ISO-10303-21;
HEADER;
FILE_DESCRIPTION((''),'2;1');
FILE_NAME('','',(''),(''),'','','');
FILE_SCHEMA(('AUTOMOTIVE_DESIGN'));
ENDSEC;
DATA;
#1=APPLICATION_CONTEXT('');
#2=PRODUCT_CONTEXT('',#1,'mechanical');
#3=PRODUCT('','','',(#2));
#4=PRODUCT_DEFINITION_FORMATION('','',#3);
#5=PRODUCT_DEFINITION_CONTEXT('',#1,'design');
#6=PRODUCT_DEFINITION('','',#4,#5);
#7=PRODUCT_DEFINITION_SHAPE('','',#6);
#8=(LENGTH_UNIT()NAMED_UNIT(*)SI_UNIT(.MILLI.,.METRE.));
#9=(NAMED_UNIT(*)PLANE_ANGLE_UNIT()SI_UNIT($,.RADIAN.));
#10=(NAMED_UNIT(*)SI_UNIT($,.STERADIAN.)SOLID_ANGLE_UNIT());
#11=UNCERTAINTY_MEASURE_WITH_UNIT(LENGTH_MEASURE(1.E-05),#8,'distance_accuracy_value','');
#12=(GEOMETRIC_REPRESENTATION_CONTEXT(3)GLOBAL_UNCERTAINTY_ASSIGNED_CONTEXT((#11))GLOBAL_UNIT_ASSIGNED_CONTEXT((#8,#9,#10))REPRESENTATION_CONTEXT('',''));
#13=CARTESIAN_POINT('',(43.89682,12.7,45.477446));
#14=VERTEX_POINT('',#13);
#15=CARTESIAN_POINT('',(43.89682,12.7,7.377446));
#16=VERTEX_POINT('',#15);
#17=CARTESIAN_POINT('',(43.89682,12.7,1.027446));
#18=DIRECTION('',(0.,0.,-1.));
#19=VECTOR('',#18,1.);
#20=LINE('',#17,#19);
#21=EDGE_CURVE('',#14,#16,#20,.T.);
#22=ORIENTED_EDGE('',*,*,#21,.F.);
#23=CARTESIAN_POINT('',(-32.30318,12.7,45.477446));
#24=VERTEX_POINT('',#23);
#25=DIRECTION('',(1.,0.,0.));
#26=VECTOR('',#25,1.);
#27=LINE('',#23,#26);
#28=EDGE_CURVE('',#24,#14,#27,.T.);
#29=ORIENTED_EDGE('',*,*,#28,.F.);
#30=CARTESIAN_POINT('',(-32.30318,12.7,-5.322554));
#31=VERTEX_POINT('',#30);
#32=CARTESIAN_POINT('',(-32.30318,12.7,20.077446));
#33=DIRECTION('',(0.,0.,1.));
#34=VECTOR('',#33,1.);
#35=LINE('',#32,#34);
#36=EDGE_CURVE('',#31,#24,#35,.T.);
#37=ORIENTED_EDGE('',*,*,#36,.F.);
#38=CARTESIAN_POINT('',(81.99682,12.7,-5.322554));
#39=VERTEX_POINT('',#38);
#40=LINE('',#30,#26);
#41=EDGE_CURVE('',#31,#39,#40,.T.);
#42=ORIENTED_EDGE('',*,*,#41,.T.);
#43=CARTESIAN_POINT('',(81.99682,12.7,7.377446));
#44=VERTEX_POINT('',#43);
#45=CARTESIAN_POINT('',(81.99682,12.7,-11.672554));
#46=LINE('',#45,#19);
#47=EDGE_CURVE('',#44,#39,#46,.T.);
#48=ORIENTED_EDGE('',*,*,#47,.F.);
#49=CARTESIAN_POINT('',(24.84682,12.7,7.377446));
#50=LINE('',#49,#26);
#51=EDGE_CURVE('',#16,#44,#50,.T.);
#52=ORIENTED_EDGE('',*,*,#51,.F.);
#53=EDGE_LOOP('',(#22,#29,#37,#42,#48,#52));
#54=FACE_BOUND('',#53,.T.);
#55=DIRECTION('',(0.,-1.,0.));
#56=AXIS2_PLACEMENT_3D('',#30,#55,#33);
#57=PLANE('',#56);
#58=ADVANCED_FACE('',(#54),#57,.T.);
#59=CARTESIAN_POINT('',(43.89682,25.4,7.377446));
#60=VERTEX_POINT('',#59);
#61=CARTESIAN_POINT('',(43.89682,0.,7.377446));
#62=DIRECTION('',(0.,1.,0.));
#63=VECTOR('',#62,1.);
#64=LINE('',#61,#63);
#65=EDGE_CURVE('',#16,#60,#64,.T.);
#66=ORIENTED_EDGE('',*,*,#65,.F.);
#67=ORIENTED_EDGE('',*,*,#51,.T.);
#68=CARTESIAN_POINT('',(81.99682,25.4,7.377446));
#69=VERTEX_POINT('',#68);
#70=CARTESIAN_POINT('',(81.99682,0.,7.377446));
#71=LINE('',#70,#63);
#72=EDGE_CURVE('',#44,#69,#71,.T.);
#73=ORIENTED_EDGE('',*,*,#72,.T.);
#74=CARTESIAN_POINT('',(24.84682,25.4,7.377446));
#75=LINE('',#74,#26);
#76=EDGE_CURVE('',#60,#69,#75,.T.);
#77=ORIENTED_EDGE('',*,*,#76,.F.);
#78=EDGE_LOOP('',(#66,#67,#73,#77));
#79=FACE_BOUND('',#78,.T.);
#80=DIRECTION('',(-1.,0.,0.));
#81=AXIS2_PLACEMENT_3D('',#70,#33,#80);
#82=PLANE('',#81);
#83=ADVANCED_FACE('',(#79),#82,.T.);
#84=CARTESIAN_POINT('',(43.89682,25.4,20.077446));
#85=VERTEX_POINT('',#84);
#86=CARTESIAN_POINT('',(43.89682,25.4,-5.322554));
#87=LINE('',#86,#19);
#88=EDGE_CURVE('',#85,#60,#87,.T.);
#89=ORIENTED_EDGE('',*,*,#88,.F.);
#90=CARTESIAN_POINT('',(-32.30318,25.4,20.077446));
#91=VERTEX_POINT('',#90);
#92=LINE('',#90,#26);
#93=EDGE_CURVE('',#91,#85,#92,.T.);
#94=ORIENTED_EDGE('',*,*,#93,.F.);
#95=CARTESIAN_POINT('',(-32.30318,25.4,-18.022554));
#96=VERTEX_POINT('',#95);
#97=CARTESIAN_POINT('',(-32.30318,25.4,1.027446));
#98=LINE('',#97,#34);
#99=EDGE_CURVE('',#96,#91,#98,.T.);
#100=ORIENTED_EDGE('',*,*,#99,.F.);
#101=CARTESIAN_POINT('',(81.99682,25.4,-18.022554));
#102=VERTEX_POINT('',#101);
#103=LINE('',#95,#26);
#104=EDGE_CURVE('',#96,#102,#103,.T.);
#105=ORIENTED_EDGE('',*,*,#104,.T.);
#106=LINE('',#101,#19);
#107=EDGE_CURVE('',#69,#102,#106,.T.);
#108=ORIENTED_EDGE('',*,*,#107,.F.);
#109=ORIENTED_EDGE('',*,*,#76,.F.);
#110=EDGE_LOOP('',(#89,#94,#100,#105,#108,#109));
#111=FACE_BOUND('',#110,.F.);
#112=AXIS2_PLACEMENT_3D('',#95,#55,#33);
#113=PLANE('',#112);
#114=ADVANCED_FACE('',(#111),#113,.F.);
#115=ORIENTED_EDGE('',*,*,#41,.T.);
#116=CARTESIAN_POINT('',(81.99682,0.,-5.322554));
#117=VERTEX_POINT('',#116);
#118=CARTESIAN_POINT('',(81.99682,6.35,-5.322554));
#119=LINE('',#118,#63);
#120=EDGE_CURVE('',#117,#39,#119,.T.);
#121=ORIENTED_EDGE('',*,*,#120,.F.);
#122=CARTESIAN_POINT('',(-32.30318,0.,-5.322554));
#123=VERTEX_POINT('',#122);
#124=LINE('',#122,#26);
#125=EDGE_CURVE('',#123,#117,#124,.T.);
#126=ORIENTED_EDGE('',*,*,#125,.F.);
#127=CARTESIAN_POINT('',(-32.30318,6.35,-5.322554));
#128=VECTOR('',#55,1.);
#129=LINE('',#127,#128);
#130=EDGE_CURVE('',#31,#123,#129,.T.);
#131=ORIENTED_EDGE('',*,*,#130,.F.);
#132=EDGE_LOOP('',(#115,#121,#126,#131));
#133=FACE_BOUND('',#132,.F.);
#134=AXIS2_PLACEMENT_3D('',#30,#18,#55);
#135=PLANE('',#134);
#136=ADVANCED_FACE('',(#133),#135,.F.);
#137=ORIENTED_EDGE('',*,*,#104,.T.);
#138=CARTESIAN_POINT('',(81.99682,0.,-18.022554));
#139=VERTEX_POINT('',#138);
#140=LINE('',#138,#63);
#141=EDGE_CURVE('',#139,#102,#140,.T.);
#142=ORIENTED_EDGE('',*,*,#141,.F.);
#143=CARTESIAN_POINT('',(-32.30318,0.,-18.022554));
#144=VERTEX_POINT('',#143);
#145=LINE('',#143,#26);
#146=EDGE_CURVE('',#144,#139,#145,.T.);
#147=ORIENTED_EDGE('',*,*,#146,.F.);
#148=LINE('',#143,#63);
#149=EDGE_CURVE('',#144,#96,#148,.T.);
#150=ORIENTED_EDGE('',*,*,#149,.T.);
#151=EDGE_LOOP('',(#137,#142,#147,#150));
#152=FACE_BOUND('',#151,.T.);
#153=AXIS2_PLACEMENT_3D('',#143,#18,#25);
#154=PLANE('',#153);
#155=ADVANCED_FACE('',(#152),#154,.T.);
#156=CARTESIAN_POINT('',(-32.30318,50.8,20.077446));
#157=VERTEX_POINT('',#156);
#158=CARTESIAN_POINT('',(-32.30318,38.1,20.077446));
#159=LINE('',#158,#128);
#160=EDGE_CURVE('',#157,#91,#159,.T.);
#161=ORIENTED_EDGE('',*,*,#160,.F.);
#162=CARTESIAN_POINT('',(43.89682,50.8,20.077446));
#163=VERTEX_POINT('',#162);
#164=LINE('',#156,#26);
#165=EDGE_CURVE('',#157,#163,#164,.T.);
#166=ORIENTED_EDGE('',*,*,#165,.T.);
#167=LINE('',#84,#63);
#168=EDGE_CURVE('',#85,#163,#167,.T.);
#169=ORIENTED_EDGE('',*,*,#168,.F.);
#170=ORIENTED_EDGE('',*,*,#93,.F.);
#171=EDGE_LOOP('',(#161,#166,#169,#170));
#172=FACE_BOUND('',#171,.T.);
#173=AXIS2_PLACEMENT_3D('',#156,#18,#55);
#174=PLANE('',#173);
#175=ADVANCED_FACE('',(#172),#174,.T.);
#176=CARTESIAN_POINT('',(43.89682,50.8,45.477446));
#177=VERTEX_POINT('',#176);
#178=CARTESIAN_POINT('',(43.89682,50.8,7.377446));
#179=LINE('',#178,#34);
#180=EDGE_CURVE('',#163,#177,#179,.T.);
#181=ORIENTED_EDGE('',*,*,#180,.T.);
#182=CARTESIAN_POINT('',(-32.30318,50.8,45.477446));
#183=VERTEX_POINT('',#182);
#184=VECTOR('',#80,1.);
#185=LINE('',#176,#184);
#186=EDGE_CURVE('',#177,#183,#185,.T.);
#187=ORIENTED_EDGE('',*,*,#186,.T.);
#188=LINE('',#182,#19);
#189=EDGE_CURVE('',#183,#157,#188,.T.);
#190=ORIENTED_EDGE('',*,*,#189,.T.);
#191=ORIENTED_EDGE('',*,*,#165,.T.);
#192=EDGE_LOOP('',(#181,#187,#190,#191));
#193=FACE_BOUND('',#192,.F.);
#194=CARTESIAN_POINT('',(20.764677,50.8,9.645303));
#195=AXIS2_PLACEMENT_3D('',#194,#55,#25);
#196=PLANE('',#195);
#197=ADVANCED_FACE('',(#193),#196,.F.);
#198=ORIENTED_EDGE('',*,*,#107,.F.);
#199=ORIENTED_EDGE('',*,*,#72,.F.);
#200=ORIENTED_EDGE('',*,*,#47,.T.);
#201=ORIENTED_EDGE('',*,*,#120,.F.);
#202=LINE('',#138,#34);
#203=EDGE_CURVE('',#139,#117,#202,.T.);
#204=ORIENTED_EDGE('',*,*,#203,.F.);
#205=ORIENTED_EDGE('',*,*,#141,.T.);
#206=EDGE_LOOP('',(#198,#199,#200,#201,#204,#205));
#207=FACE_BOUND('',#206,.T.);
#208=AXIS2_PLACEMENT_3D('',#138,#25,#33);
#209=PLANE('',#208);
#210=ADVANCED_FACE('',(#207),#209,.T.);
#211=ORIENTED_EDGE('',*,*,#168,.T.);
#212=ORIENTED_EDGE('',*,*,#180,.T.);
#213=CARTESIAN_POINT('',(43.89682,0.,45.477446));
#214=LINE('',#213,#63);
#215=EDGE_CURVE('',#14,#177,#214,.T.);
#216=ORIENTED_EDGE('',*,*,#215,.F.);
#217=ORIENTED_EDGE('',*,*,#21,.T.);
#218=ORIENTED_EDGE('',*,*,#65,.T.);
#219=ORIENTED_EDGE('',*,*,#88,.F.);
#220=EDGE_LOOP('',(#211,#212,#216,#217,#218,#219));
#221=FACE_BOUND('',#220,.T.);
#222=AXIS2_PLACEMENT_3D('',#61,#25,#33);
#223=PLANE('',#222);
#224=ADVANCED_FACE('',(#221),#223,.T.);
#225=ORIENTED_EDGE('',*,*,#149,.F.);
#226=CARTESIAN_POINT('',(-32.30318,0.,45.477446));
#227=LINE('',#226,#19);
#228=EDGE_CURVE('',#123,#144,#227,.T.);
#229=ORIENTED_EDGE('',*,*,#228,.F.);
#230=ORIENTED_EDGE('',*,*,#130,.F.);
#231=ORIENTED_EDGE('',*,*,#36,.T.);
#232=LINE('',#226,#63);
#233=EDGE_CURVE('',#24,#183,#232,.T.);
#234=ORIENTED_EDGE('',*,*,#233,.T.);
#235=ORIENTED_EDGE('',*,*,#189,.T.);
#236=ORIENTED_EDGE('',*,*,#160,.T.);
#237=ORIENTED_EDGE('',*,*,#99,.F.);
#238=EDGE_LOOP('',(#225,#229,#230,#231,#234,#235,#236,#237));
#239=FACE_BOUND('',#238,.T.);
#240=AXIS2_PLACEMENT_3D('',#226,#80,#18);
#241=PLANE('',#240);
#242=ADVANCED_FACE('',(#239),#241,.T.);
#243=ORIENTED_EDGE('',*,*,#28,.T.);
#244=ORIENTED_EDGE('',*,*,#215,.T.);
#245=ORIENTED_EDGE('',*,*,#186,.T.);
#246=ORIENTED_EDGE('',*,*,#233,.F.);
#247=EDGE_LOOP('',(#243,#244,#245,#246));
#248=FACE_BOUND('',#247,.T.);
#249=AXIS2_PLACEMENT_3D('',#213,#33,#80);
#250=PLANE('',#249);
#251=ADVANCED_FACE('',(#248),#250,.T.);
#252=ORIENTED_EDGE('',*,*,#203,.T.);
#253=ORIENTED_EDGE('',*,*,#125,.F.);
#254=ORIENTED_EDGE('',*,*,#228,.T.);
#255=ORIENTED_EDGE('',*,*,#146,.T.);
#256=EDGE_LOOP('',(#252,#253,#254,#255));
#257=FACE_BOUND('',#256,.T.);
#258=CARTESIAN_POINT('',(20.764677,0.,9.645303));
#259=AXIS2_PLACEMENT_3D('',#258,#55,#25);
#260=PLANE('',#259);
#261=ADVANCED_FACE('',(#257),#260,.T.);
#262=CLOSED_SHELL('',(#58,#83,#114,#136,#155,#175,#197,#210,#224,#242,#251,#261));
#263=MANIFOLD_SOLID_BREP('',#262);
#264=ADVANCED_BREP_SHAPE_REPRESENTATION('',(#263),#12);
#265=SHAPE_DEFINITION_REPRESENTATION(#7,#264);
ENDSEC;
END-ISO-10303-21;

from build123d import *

# Parameters (mm, degrees)
F1_DEPTH = 50.8
F2_W     = 12.7
F2_H     = 50.8
F3_DEPTH = 114.808
F4_W     = 25.4
F4_H     = 38.1
F5_DEPTH = 115.062


with BuildPart() as f1:
    # F0 (on Front) → F1 (new body)
    with BuildSketch(Plane.XZ):
        Polygon((43.89682, 45.477446), (-32.30318, 45.477446), (-32.30318, -18.022554), (81.99682, -18.022554), (81.99682, 7.377446), (43.89682, 7.377446), align=None)
    extrude(amount=-F1_DEPTH)

    # F2 (on face) → F3 (cut)
    with BuildSketch(Plane(origin=(-32.30318, 0, 0), x_dir=(0, -1, 0), z_dir=(-1, 0, 0))):
        with Locations((-6.35, 20.077446)):
            Rectangle(F2_W, F2_H)
    extrude(amount=-F3_DEPTH, mode=Mode.SUBTRACT)

    # F4 (on face) → F5 (cut)
    with BuildSketch(Plane(origin=(-32.30318, 0, 0), x_dir=(0, -1, 0), z_dir=(-1, 0, 0))):
        with Locations((-38.1, 1.027446)):
            Rectangle(F4_W, F4_H)
    extrude(amount=-F5_DEPTH, mode=Mode.SUBTRACT)


solid = f1.part
